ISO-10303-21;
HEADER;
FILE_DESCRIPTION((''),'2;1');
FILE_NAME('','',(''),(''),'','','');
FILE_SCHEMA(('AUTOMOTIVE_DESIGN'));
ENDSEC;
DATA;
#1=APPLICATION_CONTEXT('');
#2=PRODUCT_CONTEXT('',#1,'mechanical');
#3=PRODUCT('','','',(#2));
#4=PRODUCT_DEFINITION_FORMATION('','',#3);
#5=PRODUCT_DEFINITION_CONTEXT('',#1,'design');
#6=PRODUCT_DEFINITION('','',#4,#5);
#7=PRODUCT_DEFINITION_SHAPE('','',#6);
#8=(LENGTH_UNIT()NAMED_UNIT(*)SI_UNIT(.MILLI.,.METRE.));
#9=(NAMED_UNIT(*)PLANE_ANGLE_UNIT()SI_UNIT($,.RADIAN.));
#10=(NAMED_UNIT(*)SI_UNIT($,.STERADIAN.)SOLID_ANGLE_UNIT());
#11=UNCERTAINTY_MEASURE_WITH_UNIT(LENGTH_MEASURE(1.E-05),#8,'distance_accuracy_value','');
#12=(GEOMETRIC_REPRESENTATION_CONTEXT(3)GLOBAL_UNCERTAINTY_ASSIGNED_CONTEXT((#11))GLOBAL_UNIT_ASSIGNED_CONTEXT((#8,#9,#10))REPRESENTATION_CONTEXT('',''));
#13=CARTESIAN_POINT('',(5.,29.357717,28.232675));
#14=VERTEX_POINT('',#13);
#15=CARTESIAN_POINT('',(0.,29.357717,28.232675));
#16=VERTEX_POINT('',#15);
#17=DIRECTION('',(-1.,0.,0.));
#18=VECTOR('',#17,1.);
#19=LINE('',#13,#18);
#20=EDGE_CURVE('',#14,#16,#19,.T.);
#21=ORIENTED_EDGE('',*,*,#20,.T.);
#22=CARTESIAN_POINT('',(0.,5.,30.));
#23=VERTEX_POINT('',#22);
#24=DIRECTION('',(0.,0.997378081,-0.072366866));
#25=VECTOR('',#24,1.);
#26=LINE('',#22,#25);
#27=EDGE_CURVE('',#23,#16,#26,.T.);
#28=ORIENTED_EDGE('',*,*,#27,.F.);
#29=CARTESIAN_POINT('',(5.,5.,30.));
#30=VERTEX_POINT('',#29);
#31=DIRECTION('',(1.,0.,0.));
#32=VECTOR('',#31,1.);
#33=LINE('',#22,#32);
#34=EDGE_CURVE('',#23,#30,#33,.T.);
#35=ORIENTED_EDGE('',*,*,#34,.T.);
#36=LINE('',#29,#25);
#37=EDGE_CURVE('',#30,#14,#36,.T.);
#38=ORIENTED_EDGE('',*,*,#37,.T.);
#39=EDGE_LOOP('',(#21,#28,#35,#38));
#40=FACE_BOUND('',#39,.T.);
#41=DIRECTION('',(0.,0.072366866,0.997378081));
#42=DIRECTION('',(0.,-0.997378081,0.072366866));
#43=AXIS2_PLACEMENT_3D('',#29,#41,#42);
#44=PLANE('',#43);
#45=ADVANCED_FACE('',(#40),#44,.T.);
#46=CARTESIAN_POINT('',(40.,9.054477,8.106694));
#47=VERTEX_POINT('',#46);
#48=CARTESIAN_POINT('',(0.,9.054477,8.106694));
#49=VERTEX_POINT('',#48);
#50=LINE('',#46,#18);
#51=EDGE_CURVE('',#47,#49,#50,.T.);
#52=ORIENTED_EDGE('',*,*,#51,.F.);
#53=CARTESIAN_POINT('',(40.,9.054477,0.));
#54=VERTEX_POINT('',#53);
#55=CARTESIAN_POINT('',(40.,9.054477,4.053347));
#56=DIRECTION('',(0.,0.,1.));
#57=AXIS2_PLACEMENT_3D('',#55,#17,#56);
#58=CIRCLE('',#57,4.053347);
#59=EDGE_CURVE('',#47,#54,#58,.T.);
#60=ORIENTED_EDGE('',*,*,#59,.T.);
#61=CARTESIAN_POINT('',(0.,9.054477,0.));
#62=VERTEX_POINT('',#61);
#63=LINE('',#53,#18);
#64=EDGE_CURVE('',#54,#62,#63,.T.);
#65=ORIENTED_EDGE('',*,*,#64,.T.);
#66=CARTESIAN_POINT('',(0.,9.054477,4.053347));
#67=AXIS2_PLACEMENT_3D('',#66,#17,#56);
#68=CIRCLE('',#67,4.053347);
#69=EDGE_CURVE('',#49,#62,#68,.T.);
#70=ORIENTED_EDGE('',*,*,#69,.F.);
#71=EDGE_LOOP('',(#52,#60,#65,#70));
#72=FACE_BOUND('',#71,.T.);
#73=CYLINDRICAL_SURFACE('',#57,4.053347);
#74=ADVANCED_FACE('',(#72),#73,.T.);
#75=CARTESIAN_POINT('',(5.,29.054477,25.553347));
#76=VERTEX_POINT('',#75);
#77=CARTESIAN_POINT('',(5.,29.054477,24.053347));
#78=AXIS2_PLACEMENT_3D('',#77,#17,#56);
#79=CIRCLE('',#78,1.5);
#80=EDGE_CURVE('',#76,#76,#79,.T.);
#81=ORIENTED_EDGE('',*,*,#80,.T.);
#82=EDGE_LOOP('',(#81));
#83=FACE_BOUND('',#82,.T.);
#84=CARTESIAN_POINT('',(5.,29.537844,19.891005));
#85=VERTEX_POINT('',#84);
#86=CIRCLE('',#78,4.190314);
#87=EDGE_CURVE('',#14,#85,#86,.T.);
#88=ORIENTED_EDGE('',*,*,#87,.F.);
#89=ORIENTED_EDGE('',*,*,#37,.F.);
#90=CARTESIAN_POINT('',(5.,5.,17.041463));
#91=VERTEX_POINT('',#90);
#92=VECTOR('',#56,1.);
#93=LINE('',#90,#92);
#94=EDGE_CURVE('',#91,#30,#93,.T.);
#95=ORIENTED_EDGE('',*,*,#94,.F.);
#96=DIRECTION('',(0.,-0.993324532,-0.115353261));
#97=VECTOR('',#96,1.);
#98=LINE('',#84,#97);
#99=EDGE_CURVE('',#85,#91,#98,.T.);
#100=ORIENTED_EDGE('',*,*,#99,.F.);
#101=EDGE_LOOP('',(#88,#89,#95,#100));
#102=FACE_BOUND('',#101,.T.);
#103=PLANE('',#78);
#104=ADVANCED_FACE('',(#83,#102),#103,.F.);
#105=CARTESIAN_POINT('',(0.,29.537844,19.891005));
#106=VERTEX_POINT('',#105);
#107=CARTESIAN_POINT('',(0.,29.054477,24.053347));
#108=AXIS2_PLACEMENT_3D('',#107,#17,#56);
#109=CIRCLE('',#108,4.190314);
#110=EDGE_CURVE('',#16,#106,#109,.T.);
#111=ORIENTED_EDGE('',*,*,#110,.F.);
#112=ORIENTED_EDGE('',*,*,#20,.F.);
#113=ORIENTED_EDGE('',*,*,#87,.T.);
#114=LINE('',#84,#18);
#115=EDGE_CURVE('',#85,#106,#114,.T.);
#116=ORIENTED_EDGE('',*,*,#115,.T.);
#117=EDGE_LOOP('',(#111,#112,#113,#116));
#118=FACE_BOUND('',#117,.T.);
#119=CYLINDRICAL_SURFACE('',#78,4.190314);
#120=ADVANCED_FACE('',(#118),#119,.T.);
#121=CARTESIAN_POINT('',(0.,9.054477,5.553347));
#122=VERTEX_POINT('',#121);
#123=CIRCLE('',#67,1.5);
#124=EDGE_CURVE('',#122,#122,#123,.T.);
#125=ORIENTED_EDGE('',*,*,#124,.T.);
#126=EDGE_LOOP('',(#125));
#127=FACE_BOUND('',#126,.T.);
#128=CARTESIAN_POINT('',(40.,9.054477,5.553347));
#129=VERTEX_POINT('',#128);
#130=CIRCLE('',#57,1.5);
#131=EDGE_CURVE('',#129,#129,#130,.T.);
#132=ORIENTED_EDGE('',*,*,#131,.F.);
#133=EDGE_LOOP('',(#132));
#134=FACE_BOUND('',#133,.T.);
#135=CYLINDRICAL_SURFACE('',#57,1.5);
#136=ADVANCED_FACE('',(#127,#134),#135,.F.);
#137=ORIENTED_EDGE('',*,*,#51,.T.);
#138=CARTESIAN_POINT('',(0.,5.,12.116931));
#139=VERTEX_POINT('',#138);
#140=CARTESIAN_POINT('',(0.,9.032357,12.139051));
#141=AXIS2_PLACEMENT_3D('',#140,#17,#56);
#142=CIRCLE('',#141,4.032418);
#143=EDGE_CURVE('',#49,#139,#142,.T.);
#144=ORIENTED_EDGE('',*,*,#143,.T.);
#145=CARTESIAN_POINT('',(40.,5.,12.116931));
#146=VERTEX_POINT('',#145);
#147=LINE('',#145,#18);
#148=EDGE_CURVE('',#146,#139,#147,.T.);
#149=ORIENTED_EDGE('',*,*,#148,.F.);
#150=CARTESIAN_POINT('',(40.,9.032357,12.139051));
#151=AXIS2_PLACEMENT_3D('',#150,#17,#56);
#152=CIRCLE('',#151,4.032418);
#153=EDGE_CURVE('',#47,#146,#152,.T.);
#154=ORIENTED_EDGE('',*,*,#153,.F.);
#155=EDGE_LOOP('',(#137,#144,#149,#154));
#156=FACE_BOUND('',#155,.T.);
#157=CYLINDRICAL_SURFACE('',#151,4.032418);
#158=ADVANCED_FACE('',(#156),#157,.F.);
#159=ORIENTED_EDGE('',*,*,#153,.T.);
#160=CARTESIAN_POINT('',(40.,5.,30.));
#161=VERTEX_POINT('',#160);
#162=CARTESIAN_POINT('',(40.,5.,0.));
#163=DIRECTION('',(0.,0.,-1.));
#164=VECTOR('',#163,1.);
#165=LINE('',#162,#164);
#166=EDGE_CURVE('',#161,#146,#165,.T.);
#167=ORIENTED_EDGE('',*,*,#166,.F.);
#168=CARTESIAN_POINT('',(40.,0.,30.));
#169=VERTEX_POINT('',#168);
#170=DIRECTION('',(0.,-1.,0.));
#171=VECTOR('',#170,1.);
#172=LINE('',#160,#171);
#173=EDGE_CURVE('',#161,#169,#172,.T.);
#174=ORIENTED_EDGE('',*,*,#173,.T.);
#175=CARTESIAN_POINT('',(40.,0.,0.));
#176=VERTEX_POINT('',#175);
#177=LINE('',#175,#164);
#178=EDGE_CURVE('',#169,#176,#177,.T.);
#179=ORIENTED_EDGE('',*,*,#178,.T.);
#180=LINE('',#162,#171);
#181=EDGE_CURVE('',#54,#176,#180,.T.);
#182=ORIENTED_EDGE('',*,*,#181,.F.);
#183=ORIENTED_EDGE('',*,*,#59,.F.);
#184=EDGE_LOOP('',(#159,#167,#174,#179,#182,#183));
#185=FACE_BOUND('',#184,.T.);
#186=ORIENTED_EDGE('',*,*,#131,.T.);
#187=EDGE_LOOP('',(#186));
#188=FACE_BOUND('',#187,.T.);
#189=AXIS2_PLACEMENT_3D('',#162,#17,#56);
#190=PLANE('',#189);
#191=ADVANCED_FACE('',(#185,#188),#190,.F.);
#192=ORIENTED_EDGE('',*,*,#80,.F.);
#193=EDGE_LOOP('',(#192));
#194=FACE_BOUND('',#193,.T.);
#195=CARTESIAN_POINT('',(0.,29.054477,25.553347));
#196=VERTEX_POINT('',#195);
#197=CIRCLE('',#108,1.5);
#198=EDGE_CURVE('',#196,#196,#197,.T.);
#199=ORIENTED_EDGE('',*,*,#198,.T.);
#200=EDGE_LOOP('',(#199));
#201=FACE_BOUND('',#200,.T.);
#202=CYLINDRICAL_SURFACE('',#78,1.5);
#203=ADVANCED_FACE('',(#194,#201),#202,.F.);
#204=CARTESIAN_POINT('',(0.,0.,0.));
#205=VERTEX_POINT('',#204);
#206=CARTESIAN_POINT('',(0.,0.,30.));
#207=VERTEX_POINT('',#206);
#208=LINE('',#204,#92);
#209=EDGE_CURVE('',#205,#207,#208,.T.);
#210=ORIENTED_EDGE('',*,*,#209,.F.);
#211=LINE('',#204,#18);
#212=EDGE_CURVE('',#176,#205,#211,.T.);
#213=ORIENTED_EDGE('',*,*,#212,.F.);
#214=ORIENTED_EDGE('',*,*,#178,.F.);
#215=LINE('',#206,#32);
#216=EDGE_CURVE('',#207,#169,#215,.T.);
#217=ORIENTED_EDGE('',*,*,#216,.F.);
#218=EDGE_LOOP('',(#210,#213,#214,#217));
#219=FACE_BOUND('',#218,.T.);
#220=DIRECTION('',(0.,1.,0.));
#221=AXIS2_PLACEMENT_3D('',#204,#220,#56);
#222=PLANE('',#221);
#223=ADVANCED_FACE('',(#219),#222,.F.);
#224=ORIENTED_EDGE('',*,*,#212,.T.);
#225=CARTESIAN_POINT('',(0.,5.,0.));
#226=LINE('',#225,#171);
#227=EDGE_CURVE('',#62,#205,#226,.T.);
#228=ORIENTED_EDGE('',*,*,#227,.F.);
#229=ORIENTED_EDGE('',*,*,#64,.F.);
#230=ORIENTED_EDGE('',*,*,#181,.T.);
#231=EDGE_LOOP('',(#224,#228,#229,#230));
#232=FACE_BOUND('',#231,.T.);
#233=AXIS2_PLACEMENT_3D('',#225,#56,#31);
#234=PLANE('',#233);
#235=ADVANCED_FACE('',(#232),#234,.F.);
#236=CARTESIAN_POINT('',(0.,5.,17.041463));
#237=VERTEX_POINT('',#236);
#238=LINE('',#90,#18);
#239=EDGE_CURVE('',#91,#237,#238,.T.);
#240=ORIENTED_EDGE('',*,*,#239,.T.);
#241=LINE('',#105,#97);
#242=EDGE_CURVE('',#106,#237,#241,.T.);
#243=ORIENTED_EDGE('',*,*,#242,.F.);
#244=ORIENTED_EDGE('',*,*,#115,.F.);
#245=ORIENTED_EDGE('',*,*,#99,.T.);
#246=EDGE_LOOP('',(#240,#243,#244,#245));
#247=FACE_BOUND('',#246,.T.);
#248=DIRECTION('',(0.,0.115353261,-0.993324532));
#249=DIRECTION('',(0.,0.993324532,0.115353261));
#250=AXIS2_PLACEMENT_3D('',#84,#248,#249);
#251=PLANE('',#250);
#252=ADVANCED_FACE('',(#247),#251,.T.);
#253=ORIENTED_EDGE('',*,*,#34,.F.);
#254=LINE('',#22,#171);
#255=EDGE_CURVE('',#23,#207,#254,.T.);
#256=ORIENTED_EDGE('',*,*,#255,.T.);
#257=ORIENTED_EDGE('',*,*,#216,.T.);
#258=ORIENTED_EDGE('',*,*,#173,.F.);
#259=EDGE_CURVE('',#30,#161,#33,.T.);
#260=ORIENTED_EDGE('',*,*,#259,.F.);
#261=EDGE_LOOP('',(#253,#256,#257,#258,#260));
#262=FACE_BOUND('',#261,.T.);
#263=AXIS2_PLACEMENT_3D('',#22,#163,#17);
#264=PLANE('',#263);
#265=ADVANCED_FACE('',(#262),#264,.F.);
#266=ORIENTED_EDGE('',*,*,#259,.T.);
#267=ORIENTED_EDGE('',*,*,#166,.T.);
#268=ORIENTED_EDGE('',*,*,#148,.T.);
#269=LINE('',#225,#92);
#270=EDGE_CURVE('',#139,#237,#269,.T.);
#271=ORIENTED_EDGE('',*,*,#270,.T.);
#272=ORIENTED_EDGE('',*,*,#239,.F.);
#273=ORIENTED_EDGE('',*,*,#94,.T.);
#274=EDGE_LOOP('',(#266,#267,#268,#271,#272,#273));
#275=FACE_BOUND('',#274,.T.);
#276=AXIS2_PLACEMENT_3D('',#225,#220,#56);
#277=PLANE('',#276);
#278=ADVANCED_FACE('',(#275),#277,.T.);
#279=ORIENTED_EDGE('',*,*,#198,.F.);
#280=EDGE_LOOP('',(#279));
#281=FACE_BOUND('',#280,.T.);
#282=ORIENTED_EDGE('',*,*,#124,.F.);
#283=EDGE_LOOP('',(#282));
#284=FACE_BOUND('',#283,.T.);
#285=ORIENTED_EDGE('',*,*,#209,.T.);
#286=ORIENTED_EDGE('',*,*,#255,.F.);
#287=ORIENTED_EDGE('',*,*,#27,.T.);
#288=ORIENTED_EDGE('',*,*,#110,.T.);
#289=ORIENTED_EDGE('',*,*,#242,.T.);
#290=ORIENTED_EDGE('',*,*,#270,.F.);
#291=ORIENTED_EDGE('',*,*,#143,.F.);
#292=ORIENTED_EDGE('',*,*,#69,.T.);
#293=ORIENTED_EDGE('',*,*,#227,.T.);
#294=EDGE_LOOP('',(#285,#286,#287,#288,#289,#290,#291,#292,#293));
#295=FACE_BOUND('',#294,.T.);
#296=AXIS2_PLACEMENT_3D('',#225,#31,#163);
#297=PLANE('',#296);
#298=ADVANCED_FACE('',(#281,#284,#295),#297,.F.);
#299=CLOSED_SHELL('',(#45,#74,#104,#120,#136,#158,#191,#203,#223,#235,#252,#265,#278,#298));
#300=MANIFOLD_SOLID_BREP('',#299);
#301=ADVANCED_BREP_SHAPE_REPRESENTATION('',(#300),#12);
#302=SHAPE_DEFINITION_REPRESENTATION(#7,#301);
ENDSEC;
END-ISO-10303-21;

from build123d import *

# Parameters (mm, degrees)
SKETCH1_W           = 40
SKETCH1_H           = 30
BOSS_EXTRUDE1_DEPTH = 5
SKETCH2_R           = 1.5
BOSS_EXTRUDE2_DEPTH = 40
SKETCH4_R           = 1.5
BOSS_EXTRUDE4_DEPTH = 5


with BuildPart() as part:
    # Sketch1 → Boss-Extrude1 (new body)
    with BuildSketch(Plane(origin=(0, 0, 0), x_dir=(1, 0, 0), z_dir=(0, 1, 0))):
        with Locations((20, -15)):
            Rectangle(SKETCH1_W, SKETCH1_H)
    extrude(amount=BOSS_EXTRUDE1_DEPTH)

    # Sketch2 → Boss-Extrude2 (add)
    with BuildSketch(Plane.ZY):
        with BuildLine():
            ThreePointArc((8.106694093, 9.054477386), (4.053347046, 13.107824432), (0, 9.054477386))
            Line((0, 9.054477386), (0, 5))
            Line((0, 5), (12.116930909, 5))
            ThreePointArc((12.116930909, 5), (9.279911424, 6.188818307), (8.106633421, 9.032299844))
            ThreePointArc((8.106633421, 9.032299844), (8.106678925, 9.043388574), (8.106694093, 9.054477386))
        make_face()
        with Locations((4.053347046, 9.054477386)):
            Circle(SKETCH2_R, mode=Mode.SUBTRACT)
    extrude(amount=-BOSS_EXTRUDE2_DEPTH)

    # Sketch4 → Boss-Extrude4 (add)
    with BuildSketch(Plane.ZY):
        with BuildLine():
            Line((30, 5), (28.232674565, 29.357717289))
            ThreePointArc((28.232674565, 29.357717289), (24.143809842, 33.243814974), (19.891005174, 29.537843793))
            Line((19.891005174, 29.537843793), (17.041462837, 5))
            Line((17.041462837, 5), (30, 5))
        make_face()
        with Locations((24.053347046, 29.054477386)):
            Circle(SKETCH4_R, mode=Mode.SUBTRACT)
    extrude(amount=-BOSS_EXTRUDE4_DEPTH)


solid = part.part
